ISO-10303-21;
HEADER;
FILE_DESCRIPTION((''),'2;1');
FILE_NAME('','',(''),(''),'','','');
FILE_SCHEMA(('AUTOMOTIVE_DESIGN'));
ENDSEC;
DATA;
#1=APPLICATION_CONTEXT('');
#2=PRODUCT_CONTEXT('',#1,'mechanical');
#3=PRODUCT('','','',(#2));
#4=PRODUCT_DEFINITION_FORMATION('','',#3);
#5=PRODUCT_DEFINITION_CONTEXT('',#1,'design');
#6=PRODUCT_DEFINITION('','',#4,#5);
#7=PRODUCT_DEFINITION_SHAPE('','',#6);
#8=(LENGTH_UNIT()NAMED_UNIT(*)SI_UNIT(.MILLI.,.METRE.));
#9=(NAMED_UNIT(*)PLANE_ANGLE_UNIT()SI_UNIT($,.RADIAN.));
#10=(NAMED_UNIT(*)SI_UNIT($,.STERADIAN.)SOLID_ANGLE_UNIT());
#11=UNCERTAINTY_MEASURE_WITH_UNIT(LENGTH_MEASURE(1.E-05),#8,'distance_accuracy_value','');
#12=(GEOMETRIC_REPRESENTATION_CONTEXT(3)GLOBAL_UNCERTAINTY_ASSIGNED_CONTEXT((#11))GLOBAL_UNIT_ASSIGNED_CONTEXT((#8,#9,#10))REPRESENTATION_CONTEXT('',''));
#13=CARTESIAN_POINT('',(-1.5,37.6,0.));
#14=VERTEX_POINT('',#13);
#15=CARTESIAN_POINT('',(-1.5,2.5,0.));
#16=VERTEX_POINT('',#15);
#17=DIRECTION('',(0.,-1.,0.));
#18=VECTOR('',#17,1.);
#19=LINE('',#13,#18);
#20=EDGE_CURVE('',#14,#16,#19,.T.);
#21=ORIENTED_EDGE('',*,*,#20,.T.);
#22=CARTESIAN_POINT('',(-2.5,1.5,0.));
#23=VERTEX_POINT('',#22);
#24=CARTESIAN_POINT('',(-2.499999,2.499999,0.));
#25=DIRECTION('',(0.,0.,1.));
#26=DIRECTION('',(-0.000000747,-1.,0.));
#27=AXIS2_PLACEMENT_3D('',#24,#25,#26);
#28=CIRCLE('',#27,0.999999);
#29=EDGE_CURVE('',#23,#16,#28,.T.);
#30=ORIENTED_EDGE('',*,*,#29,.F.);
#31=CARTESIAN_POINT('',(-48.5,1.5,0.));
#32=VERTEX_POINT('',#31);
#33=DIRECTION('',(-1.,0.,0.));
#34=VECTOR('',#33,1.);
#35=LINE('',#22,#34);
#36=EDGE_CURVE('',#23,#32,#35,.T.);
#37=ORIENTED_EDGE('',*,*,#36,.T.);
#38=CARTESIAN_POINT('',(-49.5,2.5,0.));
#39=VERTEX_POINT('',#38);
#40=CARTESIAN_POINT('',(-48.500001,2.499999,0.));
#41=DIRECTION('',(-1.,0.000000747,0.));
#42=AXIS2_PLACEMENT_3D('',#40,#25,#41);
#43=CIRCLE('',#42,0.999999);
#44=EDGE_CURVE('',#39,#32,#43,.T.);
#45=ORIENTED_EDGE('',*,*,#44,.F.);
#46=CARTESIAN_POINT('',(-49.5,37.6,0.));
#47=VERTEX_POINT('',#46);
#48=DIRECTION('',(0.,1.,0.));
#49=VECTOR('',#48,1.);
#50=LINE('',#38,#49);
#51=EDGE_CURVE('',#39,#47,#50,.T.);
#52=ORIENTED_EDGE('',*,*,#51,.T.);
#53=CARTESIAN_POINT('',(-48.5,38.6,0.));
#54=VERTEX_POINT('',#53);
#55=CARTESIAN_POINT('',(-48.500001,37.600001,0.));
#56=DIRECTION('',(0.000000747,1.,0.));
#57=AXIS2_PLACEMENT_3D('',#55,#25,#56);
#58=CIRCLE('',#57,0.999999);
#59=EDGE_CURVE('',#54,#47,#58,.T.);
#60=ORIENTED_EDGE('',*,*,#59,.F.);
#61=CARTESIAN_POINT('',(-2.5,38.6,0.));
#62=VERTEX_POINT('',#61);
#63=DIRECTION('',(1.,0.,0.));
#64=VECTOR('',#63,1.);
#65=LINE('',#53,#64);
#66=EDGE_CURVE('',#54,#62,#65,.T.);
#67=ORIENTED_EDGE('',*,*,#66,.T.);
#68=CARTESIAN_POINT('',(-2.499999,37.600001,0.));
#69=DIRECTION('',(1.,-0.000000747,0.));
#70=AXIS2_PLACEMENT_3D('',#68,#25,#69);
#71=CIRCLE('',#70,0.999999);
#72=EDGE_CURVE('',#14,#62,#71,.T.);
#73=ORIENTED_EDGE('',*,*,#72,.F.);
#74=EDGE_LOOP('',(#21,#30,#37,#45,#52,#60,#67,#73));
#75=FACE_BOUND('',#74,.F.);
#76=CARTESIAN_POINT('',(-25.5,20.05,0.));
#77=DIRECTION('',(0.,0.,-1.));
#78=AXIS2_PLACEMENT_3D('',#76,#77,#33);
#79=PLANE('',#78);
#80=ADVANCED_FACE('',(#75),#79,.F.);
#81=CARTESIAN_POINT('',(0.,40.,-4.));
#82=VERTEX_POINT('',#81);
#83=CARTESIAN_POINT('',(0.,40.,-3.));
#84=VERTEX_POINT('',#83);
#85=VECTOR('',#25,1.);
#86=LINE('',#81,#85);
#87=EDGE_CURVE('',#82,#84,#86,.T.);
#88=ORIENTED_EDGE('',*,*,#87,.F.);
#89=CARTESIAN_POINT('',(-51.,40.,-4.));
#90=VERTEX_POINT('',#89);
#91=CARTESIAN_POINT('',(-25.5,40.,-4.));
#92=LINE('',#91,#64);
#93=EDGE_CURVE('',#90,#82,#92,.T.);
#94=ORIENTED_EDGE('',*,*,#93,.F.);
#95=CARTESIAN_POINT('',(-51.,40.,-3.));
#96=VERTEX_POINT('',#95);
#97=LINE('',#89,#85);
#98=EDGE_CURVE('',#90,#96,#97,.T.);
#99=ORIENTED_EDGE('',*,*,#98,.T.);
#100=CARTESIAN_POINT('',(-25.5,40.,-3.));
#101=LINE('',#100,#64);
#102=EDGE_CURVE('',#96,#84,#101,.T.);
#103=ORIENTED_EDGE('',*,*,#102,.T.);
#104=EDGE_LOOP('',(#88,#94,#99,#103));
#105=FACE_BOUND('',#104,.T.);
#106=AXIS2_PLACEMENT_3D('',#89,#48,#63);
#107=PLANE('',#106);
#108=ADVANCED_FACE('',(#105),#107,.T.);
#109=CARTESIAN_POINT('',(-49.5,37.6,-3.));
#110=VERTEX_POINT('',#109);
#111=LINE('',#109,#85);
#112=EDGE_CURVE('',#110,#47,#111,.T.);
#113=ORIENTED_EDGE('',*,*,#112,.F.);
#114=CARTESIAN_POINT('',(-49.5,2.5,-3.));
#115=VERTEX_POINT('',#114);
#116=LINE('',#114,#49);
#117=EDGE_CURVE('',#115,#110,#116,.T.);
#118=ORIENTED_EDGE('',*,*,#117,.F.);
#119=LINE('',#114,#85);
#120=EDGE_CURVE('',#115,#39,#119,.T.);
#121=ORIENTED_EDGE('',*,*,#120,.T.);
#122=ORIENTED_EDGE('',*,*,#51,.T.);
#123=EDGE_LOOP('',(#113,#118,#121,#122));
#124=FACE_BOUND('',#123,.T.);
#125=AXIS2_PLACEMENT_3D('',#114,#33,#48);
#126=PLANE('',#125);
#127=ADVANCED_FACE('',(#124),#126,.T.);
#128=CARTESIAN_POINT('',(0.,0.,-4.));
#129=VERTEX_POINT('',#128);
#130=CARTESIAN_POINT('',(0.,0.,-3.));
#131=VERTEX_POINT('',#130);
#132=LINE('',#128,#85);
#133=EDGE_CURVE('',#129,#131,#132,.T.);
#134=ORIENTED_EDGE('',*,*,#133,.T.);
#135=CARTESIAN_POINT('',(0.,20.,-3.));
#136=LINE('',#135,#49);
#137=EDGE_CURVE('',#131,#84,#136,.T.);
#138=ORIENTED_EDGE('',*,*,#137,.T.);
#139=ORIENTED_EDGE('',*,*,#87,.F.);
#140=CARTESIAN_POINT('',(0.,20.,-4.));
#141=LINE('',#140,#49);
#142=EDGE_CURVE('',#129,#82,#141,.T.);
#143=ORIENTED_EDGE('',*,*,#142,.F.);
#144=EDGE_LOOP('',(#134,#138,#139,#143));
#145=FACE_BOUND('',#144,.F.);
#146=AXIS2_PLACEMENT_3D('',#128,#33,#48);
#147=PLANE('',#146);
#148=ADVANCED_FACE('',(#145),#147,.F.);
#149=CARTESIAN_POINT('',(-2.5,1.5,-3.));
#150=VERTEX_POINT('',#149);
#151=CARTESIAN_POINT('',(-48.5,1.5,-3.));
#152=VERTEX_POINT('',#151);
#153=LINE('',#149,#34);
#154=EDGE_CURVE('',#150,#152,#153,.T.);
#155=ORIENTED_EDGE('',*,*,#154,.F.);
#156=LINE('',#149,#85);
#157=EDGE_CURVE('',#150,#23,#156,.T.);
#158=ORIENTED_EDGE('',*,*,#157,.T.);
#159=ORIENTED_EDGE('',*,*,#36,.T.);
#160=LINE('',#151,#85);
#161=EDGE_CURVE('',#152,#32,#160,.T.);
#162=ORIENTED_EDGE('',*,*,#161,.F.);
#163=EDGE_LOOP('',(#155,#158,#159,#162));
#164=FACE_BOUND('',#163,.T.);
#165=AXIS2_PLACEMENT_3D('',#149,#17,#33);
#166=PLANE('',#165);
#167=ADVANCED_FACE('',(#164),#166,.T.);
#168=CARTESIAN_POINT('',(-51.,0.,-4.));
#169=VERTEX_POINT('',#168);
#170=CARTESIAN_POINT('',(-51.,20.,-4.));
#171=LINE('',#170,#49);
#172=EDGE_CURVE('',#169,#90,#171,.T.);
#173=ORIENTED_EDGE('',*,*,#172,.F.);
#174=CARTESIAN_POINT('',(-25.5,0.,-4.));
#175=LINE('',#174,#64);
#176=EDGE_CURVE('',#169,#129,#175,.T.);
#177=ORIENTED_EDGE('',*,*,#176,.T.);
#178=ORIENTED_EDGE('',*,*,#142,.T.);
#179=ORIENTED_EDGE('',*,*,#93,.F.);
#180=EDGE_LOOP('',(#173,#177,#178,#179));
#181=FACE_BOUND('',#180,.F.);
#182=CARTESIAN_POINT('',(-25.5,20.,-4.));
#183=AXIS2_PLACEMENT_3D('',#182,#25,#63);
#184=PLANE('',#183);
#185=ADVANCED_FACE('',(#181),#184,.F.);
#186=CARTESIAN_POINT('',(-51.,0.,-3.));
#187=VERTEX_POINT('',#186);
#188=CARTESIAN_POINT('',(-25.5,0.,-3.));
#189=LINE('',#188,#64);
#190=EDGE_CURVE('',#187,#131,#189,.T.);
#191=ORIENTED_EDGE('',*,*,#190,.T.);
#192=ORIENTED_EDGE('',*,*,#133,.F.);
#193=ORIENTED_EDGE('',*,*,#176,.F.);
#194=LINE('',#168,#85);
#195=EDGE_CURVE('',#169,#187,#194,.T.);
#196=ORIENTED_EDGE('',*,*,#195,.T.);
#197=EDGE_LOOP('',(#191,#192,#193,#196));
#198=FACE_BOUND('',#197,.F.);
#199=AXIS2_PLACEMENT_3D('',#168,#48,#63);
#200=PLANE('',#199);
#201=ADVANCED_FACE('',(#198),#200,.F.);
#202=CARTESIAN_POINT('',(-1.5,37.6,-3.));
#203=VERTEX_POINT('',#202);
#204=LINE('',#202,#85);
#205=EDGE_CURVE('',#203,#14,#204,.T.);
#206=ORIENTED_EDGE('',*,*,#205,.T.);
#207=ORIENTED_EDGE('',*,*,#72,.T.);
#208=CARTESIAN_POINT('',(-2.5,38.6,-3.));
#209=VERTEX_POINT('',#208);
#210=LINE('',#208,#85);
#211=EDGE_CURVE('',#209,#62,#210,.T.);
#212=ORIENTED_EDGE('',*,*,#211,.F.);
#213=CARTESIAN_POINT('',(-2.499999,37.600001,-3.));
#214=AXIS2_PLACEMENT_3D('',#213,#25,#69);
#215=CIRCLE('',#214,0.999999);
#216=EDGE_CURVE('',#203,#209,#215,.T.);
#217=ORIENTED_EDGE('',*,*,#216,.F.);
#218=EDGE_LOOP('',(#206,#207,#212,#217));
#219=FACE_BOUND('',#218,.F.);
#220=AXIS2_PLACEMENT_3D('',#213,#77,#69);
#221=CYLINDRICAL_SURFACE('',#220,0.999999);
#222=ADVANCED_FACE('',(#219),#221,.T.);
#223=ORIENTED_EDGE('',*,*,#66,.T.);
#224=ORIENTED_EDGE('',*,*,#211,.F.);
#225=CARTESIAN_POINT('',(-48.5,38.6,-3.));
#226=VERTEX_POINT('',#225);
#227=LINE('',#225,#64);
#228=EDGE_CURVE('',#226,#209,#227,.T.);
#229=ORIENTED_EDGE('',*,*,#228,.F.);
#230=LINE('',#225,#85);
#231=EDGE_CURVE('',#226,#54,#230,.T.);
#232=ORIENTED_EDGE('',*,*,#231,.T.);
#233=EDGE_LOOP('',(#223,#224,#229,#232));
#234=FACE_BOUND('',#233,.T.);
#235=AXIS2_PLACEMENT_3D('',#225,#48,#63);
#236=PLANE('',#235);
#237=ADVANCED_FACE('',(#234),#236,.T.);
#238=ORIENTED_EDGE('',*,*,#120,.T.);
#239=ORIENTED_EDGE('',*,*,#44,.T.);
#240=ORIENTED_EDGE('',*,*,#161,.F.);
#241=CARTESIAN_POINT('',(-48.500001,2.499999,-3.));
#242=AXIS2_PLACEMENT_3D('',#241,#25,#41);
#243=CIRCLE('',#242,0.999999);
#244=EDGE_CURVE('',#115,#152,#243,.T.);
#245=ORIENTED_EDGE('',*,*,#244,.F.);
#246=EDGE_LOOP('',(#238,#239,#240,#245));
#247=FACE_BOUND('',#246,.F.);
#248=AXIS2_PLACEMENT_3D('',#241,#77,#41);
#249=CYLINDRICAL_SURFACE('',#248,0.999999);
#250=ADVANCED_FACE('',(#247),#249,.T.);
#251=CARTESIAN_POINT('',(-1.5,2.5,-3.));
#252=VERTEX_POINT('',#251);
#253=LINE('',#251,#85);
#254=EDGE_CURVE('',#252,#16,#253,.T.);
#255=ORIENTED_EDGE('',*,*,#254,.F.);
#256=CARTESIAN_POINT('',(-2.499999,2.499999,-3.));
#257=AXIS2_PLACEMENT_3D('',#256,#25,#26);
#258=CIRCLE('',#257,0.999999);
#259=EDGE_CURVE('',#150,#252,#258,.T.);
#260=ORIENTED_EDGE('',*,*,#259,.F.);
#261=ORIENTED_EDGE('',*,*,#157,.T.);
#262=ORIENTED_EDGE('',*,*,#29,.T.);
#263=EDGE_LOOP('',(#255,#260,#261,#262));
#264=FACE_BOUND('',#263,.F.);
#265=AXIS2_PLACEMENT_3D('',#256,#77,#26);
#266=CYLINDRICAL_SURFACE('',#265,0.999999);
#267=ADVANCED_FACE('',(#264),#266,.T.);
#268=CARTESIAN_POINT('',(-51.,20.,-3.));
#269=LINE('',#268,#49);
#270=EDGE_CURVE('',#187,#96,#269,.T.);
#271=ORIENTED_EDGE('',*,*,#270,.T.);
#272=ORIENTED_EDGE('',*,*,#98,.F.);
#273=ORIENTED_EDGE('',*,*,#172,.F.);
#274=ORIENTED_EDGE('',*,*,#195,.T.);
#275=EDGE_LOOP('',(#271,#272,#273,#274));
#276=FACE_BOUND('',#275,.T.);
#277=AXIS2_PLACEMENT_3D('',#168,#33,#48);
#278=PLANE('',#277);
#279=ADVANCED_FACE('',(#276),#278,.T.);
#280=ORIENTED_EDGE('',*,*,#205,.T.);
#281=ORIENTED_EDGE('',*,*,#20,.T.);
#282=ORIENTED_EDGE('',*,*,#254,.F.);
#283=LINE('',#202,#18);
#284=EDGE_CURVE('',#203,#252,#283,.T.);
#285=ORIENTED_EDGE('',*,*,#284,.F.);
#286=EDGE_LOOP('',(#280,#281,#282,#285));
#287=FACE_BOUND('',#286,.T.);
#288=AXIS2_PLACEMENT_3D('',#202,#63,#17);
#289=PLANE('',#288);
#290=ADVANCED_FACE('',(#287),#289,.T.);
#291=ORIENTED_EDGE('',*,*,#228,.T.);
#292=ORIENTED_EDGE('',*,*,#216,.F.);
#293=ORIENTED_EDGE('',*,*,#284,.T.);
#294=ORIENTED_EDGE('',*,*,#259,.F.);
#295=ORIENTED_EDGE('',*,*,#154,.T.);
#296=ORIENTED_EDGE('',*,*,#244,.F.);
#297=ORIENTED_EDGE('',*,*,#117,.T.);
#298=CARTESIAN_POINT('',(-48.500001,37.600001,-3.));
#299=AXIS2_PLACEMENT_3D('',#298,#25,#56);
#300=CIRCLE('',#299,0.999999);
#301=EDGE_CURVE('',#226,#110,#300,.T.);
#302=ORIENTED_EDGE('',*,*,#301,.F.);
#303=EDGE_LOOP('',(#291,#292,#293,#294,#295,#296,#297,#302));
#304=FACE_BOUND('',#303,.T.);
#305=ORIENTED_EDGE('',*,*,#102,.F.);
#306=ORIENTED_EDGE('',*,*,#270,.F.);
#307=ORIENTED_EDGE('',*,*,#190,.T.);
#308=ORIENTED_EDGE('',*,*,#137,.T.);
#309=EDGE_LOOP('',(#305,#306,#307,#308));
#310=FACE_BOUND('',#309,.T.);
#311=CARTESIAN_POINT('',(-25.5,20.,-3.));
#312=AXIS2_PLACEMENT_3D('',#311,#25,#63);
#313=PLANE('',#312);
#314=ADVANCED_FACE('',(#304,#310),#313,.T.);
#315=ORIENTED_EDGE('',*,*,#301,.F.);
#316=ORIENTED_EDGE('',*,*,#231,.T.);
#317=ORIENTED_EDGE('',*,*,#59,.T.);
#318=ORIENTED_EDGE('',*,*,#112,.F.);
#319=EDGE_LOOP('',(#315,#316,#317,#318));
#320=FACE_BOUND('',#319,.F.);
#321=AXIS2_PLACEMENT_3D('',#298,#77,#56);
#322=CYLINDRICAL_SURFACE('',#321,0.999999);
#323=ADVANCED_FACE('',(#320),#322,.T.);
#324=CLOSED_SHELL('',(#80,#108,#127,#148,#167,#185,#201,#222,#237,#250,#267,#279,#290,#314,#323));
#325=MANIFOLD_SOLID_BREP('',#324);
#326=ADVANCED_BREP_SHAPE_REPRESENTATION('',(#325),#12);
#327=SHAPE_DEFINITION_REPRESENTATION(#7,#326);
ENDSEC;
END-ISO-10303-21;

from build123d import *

# Parameters (mm, degrees)
SKETCH_W     = 51
SKETCH_H     = 40
PAD_DEPTH    = 1
PAD001_DEPTH = 3


with BuildPart() as part:
    # Sketch → Pad (new body)
    with BuildSketch(Plane.XY):
        with Locations((-25.5, 20)):
            Rectangle(SKETCH_W, SKETCH_H)
    extrude(amount=PAD_DEPTH)

    # Sketch001 (on DatumPlane) → Pad001 (join)
    with BuildSketch(Plane.XY.offset(1)):
        with BuildLine():
            Line((-48.5, 38.6), (-2.5, 38.6))
            ThreePointArc((-1.5, 37.6), (-1.792893, 38.307107), (-2.5, 38.6))
            Line((-1.5, 37.6), (-1.5, 2.5))
            ThreePointArc((-2.5, 1.5), (-1.792893, 1.792893), (-1.5, 2.5))
            Line((-2.5, 1.5), (-48.5, 1.5))
            ThreePointArc((-49.5, 2.5), (-49.207107, 1.792893), (-48.5, 1.5))
            Line((-49.5, 2.5), (-49.5, 37.6))
            ThreePointArc((-48.5, 38.6), (-49.207107, 38.307107), (-49.5, 37.6))
        make_face()
    extrude(amount=PAD001_DEPTH)


with BuildPart() as part_1:
    # Body placement: moved
    add(part.part.moved(Location((0, 0, -4))))


solid = part_1.part
